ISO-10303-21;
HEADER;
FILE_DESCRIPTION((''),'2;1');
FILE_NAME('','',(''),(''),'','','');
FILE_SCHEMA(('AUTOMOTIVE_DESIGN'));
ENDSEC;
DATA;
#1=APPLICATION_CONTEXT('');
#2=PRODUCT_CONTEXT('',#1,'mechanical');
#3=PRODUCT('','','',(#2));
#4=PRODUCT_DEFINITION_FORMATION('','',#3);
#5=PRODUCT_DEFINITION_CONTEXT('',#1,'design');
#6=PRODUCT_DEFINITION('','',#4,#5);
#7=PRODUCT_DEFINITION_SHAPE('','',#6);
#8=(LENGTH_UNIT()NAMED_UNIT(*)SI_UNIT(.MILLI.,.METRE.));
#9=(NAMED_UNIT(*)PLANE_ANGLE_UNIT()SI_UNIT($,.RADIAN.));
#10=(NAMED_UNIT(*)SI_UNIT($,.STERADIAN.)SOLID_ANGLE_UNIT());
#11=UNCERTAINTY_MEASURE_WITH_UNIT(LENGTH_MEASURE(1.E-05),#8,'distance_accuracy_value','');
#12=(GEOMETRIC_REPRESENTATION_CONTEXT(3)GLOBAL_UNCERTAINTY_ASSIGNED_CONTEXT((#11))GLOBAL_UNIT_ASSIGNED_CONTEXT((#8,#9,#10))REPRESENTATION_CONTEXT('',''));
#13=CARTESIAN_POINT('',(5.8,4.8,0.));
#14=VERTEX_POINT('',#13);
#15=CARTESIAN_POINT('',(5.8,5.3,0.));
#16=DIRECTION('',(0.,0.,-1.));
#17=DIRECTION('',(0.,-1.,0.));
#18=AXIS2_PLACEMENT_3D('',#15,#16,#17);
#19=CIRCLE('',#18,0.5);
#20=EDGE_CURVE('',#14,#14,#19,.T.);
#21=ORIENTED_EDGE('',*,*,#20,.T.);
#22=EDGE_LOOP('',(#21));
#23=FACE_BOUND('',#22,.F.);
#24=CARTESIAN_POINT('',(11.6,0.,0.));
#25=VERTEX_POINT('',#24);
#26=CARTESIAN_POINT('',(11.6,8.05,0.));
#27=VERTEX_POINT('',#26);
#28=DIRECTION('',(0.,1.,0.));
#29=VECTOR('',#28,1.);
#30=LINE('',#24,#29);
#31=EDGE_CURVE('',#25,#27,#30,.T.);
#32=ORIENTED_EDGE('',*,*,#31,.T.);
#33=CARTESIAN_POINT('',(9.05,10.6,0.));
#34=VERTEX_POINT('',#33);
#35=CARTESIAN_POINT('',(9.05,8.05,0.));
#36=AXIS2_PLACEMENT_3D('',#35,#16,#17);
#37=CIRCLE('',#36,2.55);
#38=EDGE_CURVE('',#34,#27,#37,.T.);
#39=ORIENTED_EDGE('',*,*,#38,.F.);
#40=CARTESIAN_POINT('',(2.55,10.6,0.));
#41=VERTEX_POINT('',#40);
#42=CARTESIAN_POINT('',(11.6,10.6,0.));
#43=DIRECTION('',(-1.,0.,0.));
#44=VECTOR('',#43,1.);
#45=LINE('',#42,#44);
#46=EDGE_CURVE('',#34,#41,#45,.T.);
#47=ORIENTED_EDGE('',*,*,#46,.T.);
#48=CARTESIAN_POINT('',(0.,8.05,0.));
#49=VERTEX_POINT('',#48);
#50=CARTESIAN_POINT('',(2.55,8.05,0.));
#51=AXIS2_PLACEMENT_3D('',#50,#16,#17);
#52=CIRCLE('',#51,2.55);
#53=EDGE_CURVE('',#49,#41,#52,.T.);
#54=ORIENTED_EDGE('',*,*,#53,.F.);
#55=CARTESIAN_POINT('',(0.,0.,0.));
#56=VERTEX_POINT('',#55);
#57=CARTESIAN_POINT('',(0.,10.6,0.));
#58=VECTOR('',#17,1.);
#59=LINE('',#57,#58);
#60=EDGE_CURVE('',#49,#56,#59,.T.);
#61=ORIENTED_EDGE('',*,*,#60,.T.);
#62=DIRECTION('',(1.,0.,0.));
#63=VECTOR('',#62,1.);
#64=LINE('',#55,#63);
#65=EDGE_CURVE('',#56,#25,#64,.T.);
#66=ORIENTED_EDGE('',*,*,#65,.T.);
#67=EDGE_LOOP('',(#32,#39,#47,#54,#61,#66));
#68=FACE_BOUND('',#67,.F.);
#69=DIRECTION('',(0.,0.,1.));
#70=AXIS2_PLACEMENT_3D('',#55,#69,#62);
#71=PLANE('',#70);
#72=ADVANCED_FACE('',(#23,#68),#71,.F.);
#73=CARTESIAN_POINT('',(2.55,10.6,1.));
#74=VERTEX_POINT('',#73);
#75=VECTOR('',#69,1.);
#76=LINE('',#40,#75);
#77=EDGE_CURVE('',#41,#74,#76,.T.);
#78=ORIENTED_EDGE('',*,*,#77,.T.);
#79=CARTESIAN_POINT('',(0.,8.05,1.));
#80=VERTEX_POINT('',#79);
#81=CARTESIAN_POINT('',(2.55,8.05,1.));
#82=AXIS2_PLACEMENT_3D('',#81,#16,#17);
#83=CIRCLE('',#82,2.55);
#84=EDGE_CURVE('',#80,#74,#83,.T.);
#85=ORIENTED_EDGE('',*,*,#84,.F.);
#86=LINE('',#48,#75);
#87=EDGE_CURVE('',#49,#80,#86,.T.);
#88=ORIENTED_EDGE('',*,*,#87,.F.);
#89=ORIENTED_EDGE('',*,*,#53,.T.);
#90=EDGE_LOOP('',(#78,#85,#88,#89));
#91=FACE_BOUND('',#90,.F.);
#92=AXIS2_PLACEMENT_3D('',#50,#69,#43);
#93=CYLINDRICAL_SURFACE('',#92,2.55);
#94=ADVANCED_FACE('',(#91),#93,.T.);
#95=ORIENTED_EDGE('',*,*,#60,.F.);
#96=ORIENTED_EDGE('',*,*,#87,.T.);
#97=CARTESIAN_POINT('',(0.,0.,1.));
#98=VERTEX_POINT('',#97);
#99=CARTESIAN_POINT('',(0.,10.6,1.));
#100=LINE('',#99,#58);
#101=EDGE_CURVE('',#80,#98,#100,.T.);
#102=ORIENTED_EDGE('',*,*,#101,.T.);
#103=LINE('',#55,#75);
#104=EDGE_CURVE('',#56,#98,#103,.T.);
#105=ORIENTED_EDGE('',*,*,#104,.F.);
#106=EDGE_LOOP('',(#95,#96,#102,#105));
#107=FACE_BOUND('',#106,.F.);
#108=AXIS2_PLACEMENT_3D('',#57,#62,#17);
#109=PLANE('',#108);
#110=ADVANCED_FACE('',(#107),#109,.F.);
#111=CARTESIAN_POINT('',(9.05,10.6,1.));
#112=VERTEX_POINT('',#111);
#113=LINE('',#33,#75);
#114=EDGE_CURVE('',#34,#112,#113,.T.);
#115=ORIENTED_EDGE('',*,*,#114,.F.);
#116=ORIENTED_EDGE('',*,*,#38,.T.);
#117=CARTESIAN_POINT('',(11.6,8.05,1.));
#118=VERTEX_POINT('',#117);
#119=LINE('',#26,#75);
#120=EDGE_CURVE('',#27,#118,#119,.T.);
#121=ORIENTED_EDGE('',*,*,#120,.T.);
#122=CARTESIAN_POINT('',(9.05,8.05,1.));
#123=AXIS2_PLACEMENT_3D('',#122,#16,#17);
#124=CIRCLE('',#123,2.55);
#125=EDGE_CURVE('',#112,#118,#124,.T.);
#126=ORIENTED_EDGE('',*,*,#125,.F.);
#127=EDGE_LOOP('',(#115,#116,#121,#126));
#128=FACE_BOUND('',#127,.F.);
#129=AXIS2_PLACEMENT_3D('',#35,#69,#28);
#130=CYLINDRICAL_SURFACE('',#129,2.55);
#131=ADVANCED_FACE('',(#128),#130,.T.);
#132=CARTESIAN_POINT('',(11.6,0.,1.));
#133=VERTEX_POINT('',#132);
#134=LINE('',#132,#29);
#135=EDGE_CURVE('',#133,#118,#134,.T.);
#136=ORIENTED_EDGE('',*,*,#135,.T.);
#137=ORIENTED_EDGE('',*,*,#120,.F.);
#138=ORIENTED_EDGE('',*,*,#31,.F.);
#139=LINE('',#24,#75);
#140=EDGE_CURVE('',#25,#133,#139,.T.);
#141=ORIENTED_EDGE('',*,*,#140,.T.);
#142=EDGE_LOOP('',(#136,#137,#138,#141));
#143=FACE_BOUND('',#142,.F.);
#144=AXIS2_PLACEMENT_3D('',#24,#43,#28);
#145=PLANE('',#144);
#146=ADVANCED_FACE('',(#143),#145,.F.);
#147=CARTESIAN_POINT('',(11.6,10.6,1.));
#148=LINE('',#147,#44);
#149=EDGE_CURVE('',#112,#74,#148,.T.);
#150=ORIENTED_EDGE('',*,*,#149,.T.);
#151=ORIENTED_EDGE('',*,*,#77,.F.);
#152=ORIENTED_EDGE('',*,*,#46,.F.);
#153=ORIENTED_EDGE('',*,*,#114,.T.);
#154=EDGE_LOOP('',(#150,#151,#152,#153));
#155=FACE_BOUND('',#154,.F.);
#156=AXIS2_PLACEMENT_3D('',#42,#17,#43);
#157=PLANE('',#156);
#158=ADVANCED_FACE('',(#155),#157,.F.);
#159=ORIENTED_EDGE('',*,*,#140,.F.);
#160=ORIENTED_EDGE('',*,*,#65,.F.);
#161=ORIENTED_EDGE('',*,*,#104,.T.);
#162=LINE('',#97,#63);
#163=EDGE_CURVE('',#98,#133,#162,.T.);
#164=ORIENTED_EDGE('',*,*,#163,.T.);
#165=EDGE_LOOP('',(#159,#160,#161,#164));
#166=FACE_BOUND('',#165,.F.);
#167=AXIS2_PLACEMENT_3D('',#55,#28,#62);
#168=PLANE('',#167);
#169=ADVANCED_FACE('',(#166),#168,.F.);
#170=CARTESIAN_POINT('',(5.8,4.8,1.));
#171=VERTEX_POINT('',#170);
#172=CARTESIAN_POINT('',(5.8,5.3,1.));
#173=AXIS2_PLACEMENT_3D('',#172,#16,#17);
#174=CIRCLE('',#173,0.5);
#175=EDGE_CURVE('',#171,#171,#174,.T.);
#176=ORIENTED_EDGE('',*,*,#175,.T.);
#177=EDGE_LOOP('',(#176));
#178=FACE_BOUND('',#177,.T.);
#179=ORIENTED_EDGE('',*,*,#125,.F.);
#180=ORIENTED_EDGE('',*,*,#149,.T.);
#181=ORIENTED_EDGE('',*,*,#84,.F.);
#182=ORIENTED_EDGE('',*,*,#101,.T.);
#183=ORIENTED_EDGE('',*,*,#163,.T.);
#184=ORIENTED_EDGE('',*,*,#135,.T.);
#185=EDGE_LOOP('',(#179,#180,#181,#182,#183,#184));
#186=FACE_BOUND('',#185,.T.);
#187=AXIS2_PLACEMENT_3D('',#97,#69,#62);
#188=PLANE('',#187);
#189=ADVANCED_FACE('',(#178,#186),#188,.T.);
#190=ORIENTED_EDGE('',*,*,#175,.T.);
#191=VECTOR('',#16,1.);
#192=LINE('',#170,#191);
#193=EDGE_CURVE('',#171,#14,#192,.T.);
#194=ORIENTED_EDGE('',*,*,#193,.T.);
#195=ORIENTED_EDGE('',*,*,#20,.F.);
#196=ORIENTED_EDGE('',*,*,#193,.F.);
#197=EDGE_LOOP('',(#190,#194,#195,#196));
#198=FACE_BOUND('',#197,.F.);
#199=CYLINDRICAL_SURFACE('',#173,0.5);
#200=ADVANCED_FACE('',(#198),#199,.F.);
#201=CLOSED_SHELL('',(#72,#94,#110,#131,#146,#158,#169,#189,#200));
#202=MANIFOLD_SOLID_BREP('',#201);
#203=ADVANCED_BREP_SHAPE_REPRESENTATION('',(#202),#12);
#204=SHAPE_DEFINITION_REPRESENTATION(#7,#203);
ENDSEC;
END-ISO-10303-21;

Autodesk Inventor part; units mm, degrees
ref_plane "YZ Plane" through (0, 0, 0) normal (1, 0, 0) x (0, 1, 0)
ref_plane "XZ Plane" through (0, 0, 0) normal (0, 1, 0) x (-1, 0, 0)
ref_plane "XY Plane" through (0, 0, 0) normal (0, 0, 1) x (1, 0, 0)
sketch "Эскиз1" plane through (0, 0, 0) normal (0, 0, 1) x (1, 0, 0)
  line L0 (0, 0) -> (11.6, 0)
  line L1 (11.6, 0) -> (11.6, 10.6)
  line L2 (11.6, 10.6) -> (0, 10.6)
  line L3 (0, 10.6) -> (0, 0)
  dimension "d0" = 11.6
  dimension "d1" = 10.6
extrude "Выдавливание1" add sketch "Эскиз1" along normal blind 1
fillet "Сопряжение1" radius 2.55 2 edges at (11.6, 10.6, 0.5) (0, 10.6, 0.5)
sketch "Эскиз2" plane through (0, 0, 1) normal (0, 0, 1) x (1, 0, 0)
  line L0 (0, 0) -> (11.6, 0) projected
  line L1 (5.8, 0) -> (5.8, 10.6)
  line L2 (9.05, 10.6) -> (2.55, 10.6) projected
  point P0 (5.8, 5.3)
hole "Отверстие1" at (5.8, 5.3, 1) direction (0, 0, -1) diameter 1 end through all
properties part number "Encoder"
